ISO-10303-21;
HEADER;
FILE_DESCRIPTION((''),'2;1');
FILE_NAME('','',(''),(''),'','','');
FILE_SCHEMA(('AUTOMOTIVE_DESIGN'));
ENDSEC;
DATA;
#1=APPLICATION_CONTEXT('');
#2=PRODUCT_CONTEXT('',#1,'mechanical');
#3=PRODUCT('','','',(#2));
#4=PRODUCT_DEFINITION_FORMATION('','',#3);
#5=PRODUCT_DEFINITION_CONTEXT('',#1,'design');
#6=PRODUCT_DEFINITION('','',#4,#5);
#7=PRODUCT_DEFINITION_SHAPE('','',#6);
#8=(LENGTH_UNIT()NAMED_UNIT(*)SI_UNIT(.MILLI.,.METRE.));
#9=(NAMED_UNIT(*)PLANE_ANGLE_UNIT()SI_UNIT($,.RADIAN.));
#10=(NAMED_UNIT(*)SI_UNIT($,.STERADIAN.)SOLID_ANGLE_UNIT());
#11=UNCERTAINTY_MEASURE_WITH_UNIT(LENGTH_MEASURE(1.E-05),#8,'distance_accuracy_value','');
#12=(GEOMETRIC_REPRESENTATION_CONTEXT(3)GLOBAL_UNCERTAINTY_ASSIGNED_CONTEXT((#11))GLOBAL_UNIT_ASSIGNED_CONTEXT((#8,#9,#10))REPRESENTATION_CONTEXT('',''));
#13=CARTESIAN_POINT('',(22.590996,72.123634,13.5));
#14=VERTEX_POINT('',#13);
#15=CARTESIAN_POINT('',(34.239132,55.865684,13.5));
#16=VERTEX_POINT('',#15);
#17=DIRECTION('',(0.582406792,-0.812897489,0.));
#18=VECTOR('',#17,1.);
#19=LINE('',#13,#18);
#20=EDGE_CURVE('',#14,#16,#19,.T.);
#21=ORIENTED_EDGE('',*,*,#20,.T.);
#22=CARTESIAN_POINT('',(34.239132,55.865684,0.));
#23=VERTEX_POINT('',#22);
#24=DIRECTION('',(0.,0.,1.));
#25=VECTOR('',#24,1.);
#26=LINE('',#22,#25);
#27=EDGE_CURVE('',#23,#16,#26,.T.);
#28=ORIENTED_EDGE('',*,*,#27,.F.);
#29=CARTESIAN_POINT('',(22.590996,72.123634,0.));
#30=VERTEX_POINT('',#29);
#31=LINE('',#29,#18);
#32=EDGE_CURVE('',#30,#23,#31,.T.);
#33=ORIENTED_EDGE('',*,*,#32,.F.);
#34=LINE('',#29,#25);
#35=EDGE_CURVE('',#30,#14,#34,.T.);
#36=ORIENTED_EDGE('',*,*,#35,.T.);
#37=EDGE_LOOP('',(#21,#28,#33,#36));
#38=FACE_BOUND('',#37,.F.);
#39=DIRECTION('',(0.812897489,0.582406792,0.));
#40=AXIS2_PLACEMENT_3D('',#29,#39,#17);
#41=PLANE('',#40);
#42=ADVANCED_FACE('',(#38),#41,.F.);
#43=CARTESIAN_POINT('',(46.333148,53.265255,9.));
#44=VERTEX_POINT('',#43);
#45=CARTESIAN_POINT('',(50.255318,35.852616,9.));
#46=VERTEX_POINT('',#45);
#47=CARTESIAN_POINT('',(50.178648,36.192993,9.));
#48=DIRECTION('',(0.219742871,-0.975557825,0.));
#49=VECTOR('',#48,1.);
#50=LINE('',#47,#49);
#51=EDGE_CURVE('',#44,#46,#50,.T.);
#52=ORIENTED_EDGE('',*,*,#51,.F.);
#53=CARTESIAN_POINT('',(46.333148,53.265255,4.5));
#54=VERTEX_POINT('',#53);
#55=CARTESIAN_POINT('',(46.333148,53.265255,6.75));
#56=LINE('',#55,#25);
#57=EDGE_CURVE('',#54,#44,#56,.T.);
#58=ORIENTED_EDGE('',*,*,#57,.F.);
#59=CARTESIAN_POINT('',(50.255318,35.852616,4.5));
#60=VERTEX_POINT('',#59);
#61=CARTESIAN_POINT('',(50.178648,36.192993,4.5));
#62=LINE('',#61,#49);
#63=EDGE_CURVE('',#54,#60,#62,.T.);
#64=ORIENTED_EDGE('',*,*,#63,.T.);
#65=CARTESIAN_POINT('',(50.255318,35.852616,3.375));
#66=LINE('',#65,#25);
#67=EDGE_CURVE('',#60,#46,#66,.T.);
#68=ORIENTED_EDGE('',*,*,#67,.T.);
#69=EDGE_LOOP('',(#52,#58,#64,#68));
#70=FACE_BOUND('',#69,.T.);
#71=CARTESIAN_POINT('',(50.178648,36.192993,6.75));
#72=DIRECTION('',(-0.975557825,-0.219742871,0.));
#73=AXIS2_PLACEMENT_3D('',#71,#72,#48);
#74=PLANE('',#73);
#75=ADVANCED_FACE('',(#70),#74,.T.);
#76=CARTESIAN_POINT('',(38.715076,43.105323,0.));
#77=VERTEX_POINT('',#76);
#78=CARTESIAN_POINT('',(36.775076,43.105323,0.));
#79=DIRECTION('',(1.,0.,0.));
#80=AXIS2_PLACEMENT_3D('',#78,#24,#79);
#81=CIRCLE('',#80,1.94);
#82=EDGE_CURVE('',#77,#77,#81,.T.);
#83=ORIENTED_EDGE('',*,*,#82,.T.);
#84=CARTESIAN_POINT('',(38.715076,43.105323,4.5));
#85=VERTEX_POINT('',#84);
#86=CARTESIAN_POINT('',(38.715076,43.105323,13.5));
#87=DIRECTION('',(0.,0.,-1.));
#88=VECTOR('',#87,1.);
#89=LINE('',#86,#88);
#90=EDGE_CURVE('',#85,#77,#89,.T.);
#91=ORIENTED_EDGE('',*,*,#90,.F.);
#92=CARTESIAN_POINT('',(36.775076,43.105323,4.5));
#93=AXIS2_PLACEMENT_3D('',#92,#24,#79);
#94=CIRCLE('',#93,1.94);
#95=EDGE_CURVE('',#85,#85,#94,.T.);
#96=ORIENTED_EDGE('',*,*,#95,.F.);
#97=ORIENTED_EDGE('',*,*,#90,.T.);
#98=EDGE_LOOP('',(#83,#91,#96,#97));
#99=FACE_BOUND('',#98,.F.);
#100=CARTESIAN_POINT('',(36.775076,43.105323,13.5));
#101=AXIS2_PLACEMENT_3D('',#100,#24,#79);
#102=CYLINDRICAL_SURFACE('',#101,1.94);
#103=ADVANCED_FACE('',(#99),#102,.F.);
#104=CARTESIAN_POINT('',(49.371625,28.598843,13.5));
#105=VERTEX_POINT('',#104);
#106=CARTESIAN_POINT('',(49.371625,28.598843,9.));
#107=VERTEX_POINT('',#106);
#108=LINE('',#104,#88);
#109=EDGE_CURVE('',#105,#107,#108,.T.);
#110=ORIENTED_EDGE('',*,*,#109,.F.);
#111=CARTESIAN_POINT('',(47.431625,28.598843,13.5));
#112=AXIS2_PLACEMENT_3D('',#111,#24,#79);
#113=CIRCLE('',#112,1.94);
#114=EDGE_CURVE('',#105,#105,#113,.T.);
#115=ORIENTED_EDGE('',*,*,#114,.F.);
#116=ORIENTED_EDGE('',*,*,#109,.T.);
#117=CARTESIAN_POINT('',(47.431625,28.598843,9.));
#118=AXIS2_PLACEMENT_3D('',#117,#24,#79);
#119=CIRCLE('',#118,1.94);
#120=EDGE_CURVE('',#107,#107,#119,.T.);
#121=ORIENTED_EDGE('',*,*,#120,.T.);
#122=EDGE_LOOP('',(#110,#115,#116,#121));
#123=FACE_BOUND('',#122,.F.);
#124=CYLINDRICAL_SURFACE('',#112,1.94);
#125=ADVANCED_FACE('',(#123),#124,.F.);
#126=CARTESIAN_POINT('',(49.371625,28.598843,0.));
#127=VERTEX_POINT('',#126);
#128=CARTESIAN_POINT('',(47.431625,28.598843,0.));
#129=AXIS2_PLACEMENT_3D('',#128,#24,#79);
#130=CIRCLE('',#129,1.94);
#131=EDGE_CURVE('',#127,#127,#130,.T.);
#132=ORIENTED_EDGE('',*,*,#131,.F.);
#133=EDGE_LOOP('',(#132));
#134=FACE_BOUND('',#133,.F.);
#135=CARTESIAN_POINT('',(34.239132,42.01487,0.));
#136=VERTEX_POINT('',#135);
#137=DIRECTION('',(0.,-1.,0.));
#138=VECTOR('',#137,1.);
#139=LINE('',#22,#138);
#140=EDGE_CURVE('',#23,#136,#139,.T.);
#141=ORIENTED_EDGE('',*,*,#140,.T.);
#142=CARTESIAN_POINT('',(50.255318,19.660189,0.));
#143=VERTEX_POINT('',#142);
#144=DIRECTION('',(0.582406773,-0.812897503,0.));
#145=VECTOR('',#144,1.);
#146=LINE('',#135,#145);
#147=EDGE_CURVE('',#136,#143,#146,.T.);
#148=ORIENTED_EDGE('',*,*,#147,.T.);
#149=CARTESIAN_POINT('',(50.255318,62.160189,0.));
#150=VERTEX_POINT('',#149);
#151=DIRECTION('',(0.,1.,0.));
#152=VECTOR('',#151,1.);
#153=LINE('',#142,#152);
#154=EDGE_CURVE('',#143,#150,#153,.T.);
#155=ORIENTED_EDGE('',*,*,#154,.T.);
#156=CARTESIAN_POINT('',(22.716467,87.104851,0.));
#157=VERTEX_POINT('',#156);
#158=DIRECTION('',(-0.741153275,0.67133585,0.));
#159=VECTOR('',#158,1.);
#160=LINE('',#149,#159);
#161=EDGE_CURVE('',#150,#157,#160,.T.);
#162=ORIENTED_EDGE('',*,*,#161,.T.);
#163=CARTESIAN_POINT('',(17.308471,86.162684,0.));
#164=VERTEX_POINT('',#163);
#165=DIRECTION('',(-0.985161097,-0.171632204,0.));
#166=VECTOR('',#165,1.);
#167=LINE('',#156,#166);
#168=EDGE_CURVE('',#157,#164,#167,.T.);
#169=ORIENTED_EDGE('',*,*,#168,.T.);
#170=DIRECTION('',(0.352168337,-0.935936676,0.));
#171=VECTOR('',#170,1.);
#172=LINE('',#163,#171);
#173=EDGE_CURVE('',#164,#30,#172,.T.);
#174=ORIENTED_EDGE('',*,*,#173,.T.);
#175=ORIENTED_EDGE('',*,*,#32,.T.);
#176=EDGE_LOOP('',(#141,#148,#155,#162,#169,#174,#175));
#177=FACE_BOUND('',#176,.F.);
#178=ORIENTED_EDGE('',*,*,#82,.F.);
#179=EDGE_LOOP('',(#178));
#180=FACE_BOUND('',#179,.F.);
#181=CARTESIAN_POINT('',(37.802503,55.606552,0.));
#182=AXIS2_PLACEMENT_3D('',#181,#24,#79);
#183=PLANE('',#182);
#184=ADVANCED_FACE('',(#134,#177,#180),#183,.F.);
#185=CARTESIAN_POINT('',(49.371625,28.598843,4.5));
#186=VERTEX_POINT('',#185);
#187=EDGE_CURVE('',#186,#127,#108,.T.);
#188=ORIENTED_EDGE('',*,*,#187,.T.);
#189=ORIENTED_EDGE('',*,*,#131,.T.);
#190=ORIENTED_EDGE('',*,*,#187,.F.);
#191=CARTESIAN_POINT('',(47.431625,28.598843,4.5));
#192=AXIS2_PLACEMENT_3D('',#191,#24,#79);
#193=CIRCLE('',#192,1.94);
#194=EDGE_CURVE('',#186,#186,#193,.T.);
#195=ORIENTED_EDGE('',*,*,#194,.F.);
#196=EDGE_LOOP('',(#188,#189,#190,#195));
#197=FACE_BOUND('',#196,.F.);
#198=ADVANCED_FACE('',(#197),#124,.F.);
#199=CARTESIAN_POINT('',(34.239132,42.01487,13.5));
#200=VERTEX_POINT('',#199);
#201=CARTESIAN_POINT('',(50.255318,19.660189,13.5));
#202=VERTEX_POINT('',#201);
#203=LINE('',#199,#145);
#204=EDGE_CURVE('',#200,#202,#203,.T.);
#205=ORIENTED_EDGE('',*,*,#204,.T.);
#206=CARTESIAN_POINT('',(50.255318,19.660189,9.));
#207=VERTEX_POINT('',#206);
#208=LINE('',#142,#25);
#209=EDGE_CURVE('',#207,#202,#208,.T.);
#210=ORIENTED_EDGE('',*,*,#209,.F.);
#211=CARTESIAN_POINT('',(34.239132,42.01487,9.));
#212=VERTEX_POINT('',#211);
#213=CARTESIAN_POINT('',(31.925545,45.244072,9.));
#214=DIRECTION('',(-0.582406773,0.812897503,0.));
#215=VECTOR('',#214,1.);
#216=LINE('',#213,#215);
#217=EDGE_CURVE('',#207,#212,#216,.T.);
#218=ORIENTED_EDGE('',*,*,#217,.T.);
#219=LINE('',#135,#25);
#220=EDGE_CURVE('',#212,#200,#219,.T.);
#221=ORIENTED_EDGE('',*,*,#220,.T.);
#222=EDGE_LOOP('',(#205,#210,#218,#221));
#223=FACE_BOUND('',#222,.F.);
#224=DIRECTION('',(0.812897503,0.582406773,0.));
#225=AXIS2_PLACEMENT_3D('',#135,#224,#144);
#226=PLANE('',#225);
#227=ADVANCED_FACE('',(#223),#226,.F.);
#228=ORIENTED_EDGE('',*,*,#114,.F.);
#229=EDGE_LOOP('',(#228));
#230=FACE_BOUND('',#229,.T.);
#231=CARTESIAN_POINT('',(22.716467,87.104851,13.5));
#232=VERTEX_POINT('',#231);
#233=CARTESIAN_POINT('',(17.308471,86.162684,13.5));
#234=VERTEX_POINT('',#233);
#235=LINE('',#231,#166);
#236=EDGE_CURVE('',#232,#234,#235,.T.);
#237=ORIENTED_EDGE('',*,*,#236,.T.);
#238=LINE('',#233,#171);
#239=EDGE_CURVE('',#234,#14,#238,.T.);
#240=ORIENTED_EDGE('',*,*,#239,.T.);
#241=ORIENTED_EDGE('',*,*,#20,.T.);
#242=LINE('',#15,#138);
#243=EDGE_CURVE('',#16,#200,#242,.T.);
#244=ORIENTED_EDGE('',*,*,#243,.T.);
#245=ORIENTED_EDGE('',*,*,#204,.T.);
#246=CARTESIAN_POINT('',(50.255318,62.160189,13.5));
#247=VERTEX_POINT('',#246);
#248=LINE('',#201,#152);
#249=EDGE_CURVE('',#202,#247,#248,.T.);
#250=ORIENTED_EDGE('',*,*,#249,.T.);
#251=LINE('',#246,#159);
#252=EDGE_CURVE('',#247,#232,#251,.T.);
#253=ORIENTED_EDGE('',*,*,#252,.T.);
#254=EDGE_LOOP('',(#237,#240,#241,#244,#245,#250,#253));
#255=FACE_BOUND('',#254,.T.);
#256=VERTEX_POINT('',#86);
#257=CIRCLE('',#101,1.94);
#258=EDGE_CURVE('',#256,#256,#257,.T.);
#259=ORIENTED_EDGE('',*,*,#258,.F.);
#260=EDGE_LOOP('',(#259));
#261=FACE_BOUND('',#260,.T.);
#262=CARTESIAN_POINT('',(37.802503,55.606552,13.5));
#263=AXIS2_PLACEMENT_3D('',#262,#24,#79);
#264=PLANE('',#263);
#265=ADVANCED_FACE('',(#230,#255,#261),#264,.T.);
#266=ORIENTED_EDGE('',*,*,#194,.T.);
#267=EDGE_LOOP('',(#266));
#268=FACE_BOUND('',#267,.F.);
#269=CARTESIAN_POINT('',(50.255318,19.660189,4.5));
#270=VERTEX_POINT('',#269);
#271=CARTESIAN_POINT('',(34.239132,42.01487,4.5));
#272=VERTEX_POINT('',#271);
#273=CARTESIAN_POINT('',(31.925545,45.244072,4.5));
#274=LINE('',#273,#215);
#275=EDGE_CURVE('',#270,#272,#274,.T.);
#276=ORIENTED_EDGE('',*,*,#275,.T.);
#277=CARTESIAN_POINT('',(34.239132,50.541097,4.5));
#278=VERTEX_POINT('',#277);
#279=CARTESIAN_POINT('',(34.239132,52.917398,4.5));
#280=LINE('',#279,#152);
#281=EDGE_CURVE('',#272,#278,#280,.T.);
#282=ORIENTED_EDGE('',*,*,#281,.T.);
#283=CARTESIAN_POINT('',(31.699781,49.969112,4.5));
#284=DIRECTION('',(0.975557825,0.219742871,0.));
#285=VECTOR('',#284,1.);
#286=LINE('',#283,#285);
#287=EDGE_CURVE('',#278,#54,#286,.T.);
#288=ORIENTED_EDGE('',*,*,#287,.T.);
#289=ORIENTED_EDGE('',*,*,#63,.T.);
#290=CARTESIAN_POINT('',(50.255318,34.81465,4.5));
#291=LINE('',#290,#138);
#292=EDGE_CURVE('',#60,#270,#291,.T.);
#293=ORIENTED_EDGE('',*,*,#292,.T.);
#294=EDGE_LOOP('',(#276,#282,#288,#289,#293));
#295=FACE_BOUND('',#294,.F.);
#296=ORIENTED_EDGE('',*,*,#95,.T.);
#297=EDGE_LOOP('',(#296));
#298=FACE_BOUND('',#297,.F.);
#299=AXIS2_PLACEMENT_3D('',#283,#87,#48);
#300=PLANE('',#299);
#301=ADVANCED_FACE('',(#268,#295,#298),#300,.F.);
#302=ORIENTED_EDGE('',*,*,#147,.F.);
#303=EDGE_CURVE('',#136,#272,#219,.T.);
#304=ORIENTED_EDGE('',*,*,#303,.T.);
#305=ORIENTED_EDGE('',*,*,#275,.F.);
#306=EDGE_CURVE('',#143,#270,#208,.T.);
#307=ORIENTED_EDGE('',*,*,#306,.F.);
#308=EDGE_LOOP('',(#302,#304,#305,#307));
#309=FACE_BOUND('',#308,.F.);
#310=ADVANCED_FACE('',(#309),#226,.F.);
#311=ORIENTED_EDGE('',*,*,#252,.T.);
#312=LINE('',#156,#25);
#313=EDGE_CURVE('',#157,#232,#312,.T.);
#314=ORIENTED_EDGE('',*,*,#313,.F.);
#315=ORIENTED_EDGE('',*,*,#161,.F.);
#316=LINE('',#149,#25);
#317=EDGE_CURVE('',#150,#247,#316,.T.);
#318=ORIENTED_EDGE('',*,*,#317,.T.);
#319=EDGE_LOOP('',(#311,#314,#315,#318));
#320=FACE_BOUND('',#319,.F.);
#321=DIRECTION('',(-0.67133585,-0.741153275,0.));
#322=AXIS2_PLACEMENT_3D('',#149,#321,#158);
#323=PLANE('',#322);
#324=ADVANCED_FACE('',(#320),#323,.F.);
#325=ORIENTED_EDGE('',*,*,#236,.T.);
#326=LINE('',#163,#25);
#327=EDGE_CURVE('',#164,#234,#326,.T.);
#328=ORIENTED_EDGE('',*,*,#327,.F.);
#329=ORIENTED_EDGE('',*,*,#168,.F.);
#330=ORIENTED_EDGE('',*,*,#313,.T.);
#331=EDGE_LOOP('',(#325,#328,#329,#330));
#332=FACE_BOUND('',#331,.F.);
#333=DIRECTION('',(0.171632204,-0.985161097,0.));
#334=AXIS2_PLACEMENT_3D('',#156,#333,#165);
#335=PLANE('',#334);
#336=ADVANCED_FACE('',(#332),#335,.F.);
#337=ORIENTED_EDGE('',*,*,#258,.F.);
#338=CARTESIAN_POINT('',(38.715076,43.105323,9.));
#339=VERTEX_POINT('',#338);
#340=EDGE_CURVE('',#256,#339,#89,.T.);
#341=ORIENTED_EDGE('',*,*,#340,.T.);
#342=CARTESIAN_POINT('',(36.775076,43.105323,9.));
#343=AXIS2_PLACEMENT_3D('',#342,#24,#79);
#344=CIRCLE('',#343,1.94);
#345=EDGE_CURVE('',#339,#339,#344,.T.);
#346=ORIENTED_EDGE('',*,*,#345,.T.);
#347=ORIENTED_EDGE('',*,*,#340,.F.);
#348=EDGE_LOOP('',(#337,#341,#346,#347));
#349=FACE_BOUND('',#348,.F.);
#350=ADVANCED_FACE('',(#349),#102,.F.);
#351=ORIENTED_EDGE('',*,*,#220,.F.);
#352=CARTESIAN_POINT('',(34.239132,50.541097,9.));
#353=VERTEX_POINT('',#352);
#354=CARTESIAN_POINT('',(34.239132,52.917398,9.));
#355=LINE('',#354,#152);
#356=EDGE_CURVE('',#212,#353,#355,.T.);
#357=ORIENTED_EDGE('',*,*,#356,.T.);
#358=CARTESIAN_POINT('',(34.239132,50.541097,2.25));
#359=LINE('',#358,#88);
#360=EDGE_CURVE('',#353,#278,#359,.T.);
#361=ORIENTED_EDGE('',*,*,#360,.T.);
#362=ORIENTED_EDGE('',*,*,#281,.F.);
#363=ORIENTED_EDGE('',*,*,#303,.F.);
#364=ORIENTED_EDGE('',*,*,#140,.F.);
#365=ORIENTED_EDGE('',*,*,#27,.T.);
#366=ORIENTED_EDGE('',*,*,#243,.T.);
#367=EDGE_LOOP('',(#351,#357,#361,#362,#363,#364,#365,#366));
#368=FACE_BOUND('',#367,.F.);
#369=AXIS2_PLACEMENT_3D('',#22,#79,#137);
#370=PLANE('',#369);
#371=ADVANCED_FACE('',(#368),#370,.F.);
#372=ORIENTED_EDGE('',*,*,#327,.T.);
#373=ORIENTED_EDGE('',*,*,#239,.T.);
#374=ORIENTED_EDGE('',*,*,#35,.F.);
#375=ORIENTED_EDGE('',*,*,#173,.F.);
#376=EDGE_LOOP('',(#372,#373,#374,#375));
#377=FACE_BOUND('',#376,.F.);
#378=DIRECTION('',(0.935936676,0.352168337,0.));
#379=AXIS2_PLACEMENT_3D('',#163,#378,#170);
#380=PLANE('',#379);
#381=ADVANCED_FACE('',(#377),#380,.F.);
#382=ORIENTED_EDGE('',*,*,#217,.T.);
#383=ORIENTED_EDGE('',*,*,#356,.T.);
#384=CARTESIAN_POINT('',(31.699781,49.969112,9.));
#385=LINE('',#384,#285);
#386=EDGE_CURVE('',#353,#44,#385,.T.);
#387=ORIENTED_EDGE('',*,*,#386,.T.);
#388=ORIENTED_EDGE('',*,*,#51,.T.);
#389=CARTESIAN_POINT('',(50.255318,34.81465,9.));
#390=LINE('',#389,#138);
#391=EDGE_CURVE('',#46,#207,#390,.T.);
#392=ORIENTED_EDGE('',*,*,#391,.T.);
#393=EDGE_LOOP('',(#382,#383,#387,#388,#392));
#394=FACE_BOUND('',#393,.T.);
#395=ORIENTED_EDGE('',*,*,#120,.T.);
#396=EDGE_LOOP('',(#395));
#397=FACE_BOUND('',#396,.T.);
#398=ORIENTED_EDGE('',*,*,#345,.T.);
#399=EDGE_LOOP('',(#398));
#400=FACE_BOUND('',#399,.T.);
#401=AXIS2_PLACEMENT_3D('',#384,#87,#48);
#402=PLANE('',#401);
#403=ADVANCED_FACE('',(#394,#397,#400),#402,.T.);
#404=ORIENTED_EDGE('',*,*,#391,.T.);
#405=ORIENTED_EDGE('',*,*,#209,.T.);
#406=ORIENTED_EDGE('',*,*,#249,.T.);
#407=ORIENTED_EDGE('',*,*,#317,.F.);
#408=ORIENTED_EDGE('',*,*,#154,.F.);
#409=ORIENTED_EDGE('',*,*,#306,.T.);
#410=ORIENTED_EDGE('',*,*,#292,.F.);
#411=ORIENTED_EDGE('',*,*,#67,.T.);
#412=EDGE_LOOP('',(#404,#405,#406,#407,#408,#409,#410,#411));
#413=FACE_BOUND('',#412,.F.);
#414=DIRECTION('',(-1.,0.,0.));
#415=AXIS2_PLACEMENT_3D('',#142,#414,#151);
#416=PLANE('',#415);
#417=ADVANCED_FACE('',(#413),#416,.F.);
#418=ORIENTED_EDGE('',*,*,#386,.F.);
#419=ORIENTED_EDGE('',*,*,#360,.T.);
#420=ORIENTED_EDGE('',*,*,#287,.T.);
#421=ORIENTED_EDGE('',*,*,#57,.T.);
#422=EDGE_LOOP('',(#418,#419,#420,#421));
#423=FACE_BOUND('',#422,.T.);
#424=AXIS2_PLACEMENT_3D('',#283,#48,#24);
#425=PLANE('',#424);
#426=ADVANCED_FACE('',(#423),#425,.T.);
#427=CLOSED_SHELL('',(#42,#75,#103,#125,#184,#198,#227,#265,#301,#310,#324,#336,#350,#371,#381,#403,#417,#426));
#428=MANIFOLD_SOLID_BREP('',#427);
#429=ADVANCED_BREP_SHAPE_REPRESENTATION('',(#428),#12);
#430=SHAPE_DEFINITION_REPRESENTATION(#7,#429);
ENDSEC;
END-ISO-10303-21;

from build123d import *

# Parameters (mm, degrees)
SKETCH001_AS_DRAWN_W                      = 35
SKETCH001_AS_DRAWN_H                      = 4.5
EXTRUDE001_DEPTH                          = 15
EXTRUDE001_ONTO_SKETCH001_ROLL_ANGLE      = 90
EXTRUDE001_ONTO_SKETCH001_PLACEMENT_ANGLE = -92.306069
EXTRUDE001_PLACEMENT_ANGLE                = 15
SKETCH002_R                               = 1.94
EXTRUDE002_DEPTH                          = 15
EXTRUDE_DEPTH                             = 13.5


with BuildPart() as extrude001:
    # Sketch001 as drawn → Extrude001 (new)
    with BuildSketch(Plane.XY):
        with Locations((-28.593868, 6.75)):
            Rectangle(SKETCH001_AS_DRAWN_W, SKETCH001_AS_DRAWN_H)
    extrude(amount=-EXTRUDE001_DEPTH)


with BuildPart() as extrude001_1:
    # Extrude001 onto Sketch001 roll: moved
    add(extrude001.part.rotate(Axis((0, 0, 0), (1, 0, 0)), EXTRUDE001_ONTO_SKETCH001_ROLL_ANGLE))


with BuildPart() as extrude001_2:
    # Extrude001 onto Sketch001 placement: moved
    add(extrude001_1.part.moved(Location((24.697887, -0.99459, 0))).rotate(Axis((24.697887, -0.99459, 0), (0, 0, 1)), EXTRUDE001_ONTO_SKETCH001_PLACEMENT_ANGLE))


with BuildPart() as extrude001_3:
    # Extrude001 placement: moved
    add(extrude001_2.part.moved(Location((17.714834, -0.429705, 0))).rotate(Axis((17.714834, -0.429705, 0), (0, 0, 1)), EXTRUDE001_PLACEMENT_ANGLE))


with BuildPart() as extrude002:
    # Sketch002 → Extrude002 (new body)
    with BuildSketch(Plane.XY.offset(13.5)):
        with Locations((36.775076, 43.105323)):
            Circle(SKETCH002_R)
        with Locations((47.431625, 28.598843)):
            Circle(SKETCH002_R)
    extrude(amount=-EXTRUDE002_DEPTH)


with BuildPart() as cut001:
    # Sketch → Extrude (new body)
    with BuildSketch(Plane.XY):
        Polygon((34.239132, 42.01487), (50.255318, 19.660189), (50.255318, 62.160189), (22.716467, 87.104851), (17.308471, 86.162684), (22.590996, 72.123634), (34.239132, 55.865684), align=None)
    extrude(amount=EXTRUDE_DEPTH)

    # Cut: cut Extrude002
    add(extrude002.part, mode=Mode.SUBTRACT)

    # Cut001: cut Extrude001
    add(extrude001_3.part, mode=Mode.SUBTRACT)


solid = cut001.part
